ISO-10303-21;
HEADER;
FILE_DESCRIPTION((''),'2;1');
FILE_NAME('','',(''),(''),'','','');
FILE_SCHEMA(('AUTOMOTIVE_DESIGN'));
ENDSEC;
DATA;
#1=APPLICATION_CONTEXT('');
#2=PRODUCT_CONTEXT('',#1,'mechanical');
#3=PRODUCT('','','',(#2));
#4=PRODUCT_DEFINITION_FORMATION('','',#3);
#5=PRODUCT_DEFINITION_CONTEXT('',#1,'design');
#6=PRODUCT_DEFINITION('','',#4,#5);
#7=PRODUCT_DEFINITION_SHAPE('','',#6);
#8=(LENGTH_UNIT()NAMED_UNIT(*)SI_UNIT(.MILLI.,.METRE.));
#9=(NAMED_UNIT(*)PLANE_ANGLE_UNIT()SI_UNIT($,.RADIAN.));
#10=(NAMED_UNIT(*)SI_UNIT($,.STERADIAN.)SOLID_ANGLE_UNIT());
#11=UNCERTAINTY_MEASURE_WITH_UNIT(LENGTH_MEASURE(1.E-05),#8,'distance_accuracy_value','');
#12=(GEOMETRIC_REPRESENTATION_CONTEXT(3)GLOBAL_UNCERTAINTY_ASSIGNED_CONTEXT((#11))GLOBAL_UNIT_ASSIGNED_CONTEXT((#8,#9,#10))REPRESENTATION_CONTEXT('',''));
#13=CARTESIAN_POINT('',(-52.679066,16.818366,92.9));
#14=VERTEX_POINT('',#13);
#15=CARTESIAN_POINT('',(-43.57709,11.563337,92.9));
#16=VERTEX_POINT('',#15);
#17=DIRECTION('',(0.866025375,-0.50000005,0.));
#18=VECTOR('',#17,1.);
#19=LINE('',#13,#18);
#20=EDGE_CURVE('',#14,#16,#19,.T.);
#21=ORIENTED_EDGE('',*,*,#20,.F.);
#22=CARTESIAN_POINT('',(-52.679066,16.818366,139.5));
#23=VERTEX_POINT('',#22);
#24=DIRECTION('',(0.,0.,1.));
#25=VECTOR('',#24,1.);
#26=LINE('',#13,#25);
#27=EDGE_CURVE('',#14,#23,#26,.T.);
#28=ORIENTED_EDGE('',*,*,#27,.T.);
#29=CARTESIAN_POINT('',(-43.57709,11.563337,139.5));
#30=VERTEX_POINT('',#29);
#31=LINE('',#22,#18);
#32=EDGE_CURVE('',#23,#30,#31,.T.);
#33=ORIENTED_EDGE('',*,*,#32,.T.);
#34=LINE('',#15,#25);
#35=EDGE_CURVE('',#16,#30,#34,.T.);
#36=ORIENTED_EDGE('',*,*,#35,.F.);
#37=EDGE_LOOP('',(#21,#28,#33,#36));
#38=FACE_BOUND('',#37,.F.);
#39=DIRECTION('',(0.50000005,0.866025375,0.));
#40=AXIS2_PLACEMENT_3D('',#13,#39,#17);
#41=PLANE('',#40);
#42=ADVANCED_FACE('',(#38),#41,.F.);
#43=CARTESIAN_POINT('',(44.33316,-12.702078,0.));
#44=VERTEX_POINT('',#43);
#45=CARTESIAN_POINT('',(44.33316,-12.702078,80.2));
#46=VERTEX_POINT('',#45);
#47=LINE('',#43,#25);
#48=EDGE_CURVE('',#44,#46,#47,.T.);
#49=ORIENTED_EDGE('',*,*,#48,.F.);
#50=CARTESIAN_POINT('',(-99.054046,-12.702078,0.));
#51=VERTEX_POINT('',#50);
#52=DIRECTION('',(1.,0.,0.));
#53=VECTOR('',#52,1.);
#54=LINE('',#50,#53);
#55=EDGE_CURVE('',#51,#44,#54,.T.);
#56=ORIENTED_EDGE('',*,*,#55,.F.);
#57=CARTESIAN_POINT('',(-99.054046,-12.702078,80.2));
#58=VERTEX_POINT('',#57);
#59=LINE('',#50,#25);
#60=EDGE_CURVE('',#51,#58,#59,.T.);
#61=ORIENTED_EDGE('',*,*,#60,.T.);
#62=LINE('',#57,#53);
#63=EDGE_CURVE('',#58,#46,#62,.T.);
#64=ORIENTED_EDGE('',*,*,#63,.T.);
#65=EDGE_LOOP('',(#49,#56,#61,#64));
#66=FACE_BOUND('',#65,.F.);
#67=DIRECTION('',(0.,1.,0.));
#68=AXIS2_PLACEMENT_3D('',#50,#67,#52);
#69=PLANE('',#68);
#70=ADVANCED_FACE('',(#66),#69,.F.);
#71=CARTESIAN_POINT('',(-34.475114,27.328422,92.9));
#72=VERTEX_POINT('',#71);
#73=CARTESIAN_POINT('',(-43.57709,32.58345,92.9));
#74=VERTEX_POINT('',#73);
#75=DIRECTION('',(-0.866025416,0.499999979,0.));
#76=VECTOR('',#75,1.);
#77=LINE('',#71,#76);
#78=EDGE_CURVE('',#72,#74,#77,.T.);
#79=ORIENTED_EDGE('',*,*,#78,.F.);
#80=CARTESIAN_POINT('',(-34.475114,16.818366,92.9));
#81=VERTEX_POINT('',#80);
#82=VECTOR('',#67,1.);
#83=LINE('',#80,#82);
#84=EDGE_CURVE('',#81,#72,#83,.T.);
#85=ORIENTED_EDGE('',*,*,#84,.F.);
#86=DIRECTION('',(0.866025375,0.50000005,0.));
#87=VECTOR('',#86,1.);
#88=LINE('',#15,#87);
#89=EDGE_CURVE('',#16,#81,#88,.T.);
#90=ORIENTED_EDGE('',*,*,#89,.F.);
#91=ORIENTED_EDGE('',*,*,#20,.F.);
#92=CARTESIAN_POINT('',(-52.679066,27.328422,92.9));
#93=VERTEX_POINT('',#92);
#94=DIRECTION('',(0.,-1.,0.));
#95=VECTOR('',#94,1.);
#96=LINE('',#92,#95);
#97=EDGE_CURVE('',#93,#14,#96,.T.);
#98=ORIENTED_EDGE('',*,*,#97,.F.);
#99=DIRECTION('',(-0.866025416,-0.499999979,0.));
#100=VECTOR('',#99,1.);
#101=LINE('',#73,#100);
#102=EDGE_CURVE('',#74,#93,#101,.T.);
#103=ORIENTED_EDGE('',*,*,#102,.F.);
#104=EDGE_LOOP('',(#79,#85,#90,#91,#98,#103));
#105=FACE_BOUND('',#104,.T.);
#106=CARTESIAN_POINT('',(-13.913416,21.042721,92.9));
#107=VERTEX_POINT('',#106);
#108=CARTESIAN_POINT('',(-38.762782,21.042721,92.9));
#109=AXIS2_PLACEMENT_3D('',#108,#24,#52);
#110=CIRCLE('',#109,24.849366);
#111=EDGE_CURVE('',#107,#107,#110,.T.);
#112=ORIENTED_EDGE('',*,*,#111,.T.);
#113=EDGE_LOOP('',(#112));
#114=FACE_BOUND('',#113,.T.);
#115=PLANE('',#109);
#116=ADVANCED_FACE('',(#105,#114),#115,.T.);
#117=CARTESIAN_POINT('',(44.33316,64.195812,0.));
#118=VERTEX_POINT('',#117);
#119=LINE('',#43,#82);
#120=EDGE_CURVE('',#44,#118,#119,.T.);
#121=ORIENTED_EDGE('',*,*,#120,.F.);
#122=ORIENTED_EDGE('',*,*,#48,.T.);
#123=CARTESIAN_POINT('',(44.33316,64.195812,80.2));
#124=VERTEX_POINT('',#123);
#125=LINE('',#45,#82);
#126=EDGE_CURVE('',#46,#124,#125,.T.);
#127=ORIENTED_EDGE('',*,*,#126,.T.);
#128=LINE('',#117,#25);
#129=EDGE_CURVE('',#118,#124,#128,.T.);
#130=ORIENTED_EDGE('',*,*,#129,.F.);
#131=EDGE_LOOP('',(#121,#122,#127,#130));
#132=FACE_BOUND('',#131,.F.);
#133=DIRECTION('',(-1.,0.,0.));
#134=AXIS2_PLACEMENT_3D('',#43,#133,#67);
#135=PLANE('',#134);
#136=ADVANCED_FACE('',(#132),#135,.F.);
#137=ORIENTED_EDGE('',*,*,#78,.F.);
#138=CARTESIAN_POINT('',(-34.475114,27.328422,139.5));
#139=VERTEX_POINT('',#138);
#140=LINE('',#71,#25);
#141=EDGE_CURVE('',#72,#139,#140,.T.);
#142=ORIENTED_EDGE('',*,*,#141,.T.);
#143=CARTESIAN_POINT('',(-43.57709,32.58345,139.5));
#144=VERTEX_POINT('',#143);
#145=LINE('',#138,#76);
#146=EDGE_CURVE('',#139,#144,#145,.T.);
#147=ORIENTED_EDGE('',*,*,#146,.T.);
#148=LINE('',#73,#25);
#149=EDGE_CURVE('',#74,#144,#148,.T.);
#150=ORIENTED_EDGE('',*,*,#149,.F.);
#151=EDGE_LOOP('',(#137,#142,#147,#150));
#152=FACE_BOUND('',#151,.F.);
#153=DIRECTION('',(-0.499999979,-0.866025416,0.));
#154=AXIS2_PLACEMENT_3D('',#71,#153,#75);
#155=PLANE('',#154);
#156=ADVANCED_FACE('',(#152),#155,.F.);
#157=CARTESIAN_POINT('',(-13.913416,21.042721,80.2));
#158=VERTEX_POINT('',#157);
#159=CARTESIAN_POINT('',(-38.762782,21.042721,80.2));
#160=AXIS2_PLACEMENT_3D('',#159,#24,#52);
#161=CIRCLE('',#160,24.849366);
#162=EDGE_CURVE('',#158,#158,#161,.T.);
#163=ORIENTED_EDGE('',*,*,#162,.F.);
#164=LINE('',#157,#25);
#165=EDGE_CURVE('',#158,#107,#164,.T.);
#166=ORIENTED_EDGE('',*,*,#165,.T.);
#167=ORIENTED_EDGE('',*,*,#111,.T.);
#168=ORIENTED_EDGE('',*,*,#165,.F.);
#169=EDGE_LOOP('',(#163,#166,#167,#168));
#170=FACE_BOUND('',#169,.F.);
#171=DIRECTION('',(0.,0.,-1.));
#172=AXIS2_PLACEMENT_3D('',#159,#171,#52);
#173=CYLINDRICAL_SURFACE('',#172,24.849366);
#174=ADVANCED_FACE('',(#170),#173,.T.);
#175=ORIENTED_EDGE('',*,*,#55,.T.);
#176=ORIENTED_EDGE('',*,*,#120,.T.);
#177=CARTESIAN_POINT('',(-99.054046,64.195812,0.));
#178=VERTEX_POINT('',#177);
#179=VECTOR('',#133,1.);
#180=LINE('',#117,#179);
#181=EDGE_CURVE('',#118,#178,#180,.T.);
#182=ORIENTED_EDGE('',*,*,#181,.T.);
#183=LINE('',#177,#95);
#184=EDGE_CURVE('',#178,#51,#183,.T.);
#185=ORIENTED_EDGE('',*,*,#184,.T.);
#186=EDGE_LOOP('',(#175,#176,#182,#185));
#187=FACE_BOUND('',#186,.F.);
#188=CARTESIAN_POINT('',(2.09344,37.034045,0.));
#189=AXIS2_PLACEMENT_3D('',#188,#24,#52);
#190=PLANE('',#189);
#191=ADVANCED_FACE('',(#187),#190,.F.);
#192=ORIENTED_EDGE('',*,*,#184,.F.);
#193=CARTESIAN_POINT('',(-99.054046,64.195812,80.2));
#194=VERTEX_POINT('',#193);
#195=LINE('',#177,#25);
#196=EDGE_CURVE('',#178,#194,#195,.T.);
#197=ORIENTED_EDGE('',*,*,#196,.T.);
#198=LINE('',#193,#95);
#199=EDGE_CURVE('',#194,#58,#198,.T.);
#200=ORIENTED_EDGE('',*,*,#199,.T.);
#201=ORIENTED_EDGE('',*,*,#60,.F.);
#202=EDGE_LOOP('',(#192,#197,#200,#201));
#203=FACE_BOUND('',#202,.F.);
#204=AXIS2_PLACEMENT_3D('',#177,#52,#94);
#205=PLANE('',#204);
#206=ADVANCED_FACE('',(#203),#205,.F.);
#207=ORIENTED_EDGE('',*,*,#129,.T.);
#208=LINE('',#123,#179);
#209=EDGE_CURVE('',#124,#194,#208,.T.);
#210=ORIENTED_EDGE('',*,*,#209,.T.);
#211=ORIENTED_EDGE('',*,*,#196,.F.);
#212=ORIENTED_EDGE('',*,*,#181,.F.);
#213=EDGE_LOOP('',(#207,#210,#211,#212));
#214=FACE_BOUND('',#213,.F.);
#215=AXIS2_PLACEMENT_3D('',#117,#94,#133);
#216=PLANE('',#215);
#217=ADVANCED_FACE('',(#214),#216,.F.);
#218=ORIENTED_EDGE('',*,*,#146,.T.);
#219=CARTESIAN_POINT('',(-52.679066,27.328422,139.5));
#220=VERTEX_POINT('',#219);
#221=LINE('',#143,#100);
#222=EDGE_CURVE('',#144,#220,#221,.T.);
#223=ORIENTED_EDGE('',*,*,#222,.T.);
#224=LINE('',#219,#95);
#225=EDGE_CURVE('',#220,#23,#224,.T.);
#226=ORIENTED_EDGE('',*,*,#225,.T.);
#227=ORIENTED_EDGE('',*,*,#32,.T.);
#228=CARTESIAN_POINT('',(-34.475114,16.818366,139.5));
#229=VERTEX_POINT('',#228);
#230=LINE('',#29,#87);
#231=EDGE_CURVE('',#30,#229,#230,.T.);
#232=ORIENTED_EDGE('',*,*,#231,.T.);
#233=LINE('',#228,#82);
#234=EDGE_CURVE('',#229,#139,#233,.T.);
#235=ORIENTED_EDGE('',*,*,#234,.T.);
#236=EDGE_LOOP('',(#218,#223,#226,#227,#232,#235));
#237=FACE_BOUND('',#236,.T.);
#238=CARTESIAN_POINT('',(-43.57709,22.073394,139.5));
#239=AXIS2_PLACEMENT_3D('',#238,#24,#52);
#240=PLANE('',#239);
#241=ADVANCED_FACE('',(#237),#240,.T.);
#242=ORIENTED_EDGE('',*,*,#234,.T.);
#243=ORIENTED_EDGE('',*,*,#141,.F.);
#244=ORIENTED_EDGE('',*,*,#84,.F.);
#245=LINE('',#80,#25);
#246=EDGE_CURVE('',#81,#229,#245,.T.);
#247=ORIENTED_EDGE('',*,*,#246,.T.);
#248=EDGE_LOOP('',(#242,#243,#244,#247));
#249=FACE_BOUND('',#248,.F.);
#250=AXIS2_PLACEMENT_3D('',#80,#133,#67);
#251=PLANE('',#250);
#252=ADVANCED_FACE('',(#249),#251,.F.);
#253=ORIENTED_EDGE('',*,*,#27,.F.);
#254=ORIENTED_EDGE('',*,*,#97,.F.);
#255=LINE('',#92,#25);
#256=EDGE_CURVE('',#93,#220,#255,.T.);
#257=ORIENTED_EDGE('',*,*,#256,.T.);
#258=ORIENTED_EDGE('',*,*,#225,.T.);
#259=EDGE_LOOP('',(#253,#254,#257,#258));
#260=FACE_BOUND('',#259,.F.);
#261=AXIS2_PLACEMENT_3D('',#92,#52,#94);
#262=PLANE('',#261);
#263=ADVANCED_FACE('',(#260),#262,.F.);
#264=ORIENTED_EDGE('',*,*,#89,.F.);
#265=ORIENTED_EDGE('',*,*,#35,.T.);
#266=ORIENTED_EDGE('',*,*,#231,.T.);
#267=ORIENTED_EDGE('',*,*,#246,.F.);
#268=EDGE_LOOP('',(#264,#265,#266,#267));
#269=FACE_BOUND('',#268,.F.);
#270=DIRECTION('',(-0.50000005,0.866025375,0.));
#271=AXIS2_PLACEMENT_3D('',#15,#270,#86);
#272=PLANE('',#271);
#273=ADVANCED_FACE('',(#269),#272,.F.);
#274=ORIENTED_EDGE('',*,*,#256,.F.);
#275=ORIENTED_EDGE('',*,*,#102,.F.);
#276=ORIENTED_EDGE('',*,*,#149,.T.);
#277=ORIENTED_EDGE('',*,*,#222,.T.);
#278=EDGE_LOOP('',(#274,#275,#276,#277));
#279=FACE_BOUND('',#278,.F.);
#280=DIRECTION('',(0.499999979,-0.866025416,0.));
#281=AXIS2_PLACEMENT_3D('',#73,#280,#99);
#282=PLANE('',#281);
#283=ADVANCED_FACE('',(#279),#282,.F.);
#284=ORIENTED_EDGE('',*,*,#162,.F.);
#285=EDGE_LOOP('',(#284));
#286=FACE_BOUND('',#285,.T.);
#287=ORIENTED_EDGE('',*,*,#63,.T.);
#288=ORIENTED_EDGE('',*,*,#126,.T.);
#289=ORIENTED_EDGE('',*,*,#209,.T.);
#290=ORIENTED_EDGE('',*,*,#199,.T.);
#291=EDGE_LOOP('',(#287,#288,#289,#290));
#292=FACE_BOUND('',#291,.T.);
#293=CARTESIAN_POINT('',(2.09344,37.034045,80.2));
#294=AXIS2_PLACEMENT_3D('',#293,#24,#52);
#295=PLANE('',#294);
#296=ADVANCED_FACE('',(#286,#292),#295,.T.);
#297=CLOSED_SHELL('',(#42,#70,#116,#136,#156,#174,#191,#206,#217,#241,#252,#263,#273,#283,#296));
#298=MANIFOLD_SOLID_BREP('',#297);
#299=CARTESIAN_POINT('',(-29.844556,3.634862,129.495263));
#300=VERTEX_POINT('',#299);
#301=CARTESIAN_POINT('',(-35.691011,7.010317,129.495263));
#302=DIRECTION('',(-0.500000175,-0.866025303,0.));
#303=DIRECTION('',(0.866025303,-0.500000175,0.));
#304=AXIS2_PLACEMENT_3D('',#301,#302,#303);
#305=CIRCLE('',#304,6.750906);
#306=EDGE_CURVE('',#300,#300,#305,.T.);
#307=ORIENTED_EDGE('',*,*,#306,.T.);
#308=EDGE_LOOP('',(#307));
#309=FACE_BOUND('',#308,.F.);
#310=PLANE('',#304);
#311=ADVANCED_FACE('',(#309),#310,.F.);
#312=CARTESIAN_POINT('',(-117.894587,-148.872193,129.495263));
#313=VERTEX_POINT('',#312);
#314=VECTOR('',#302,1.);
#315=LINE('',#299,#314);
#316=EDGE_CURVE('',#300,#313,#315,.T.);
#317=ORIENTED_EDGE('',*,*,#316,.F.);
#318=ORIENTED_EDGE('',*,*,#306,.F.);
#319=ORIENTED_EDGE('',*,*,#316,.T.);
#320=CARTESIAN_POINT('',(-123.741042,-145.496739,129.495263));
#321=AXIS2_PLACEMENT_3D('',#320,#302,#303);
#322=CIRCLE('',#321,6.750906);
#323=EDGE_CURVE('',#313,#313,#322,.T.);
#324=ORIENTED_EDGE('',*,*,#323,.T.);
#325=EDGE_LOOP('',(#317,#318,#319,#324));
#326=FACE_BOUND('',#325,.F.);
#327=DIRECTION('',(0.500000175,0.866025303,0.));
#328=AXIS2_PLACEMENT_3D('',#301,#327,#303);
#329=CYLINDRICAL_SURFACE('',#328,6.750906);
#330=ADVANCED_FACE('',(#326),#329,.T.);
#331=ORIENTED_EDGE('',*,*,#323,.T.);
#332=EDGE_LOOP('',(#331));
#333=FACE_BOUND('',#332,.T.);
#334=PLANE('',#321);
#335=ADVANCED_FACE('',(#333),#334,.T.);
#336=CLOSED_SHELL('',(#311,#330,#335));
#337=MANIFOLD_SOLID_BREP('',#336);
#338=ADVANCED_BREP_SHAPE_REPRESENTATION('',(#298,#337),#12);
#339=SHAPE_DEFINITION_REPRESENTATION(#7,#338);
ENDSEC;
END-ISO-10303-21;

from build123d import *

# Parameters (mm, degrees)
F1_DEPTH = 80.2
F2_R     = 24.849366
F3_DEPTH = 12.7
F5_DEPTH = 46.6
F6_R     = 6.750906
F7_DEPTH = 176.1


with BuildPart() as f1:
    # F0 (on Top) → F1 (new body)
    with BuildSketch(Plane.XY):
        Polygon((44.33316, 64.195812), (-64.956053, 64.195812), (29.79269, -12.702078), (44.33316, -12.702078), align=None)
        Polygon((29.79269, -12.702078), (-64.956053, 64.195812), (-99.054046, 64.195812), (-99.054046, -12.702078), align=None)
    extrude(amount=F1_DEPTH)

    # F2 (on face) → F3 (join)
    with BuildSketch(Plane.XY.offset(80.2)):
        with Locations((-38.762782, 21.042721)):
            Circle(F2_R)
    extrude(amount=F3_DEPTH)

    # F4 (on face) → F5 (join)
    with BuildSketch(Plane.XY.offset(92.9)):
        Polygon((-34.475114, 16.818366), (-34.475114, 27.328422), (-43.57709, 32.58345), (-52.679066, 27.328422), (-52.679066, 16.818366), (-43.57709, 11.563337), align=None)
    extrude(amount=F5_DEPTH)


with BuildPart() as f7:
    # F6 (on face) → F7 (new body)
    with BuildSketch(Plane(origin=(-5.8872, -10.19693, 0), x_dir=(0.866025, -0.5, 0), z_dir=(-0.5, -0.866025, 0))):
        with Locations((-34.414481, 129.495263)):
            Circle(F6_R)
    extrude(amount=F7_DEPTH)


solid = Compound([f1.part, f7.part])
